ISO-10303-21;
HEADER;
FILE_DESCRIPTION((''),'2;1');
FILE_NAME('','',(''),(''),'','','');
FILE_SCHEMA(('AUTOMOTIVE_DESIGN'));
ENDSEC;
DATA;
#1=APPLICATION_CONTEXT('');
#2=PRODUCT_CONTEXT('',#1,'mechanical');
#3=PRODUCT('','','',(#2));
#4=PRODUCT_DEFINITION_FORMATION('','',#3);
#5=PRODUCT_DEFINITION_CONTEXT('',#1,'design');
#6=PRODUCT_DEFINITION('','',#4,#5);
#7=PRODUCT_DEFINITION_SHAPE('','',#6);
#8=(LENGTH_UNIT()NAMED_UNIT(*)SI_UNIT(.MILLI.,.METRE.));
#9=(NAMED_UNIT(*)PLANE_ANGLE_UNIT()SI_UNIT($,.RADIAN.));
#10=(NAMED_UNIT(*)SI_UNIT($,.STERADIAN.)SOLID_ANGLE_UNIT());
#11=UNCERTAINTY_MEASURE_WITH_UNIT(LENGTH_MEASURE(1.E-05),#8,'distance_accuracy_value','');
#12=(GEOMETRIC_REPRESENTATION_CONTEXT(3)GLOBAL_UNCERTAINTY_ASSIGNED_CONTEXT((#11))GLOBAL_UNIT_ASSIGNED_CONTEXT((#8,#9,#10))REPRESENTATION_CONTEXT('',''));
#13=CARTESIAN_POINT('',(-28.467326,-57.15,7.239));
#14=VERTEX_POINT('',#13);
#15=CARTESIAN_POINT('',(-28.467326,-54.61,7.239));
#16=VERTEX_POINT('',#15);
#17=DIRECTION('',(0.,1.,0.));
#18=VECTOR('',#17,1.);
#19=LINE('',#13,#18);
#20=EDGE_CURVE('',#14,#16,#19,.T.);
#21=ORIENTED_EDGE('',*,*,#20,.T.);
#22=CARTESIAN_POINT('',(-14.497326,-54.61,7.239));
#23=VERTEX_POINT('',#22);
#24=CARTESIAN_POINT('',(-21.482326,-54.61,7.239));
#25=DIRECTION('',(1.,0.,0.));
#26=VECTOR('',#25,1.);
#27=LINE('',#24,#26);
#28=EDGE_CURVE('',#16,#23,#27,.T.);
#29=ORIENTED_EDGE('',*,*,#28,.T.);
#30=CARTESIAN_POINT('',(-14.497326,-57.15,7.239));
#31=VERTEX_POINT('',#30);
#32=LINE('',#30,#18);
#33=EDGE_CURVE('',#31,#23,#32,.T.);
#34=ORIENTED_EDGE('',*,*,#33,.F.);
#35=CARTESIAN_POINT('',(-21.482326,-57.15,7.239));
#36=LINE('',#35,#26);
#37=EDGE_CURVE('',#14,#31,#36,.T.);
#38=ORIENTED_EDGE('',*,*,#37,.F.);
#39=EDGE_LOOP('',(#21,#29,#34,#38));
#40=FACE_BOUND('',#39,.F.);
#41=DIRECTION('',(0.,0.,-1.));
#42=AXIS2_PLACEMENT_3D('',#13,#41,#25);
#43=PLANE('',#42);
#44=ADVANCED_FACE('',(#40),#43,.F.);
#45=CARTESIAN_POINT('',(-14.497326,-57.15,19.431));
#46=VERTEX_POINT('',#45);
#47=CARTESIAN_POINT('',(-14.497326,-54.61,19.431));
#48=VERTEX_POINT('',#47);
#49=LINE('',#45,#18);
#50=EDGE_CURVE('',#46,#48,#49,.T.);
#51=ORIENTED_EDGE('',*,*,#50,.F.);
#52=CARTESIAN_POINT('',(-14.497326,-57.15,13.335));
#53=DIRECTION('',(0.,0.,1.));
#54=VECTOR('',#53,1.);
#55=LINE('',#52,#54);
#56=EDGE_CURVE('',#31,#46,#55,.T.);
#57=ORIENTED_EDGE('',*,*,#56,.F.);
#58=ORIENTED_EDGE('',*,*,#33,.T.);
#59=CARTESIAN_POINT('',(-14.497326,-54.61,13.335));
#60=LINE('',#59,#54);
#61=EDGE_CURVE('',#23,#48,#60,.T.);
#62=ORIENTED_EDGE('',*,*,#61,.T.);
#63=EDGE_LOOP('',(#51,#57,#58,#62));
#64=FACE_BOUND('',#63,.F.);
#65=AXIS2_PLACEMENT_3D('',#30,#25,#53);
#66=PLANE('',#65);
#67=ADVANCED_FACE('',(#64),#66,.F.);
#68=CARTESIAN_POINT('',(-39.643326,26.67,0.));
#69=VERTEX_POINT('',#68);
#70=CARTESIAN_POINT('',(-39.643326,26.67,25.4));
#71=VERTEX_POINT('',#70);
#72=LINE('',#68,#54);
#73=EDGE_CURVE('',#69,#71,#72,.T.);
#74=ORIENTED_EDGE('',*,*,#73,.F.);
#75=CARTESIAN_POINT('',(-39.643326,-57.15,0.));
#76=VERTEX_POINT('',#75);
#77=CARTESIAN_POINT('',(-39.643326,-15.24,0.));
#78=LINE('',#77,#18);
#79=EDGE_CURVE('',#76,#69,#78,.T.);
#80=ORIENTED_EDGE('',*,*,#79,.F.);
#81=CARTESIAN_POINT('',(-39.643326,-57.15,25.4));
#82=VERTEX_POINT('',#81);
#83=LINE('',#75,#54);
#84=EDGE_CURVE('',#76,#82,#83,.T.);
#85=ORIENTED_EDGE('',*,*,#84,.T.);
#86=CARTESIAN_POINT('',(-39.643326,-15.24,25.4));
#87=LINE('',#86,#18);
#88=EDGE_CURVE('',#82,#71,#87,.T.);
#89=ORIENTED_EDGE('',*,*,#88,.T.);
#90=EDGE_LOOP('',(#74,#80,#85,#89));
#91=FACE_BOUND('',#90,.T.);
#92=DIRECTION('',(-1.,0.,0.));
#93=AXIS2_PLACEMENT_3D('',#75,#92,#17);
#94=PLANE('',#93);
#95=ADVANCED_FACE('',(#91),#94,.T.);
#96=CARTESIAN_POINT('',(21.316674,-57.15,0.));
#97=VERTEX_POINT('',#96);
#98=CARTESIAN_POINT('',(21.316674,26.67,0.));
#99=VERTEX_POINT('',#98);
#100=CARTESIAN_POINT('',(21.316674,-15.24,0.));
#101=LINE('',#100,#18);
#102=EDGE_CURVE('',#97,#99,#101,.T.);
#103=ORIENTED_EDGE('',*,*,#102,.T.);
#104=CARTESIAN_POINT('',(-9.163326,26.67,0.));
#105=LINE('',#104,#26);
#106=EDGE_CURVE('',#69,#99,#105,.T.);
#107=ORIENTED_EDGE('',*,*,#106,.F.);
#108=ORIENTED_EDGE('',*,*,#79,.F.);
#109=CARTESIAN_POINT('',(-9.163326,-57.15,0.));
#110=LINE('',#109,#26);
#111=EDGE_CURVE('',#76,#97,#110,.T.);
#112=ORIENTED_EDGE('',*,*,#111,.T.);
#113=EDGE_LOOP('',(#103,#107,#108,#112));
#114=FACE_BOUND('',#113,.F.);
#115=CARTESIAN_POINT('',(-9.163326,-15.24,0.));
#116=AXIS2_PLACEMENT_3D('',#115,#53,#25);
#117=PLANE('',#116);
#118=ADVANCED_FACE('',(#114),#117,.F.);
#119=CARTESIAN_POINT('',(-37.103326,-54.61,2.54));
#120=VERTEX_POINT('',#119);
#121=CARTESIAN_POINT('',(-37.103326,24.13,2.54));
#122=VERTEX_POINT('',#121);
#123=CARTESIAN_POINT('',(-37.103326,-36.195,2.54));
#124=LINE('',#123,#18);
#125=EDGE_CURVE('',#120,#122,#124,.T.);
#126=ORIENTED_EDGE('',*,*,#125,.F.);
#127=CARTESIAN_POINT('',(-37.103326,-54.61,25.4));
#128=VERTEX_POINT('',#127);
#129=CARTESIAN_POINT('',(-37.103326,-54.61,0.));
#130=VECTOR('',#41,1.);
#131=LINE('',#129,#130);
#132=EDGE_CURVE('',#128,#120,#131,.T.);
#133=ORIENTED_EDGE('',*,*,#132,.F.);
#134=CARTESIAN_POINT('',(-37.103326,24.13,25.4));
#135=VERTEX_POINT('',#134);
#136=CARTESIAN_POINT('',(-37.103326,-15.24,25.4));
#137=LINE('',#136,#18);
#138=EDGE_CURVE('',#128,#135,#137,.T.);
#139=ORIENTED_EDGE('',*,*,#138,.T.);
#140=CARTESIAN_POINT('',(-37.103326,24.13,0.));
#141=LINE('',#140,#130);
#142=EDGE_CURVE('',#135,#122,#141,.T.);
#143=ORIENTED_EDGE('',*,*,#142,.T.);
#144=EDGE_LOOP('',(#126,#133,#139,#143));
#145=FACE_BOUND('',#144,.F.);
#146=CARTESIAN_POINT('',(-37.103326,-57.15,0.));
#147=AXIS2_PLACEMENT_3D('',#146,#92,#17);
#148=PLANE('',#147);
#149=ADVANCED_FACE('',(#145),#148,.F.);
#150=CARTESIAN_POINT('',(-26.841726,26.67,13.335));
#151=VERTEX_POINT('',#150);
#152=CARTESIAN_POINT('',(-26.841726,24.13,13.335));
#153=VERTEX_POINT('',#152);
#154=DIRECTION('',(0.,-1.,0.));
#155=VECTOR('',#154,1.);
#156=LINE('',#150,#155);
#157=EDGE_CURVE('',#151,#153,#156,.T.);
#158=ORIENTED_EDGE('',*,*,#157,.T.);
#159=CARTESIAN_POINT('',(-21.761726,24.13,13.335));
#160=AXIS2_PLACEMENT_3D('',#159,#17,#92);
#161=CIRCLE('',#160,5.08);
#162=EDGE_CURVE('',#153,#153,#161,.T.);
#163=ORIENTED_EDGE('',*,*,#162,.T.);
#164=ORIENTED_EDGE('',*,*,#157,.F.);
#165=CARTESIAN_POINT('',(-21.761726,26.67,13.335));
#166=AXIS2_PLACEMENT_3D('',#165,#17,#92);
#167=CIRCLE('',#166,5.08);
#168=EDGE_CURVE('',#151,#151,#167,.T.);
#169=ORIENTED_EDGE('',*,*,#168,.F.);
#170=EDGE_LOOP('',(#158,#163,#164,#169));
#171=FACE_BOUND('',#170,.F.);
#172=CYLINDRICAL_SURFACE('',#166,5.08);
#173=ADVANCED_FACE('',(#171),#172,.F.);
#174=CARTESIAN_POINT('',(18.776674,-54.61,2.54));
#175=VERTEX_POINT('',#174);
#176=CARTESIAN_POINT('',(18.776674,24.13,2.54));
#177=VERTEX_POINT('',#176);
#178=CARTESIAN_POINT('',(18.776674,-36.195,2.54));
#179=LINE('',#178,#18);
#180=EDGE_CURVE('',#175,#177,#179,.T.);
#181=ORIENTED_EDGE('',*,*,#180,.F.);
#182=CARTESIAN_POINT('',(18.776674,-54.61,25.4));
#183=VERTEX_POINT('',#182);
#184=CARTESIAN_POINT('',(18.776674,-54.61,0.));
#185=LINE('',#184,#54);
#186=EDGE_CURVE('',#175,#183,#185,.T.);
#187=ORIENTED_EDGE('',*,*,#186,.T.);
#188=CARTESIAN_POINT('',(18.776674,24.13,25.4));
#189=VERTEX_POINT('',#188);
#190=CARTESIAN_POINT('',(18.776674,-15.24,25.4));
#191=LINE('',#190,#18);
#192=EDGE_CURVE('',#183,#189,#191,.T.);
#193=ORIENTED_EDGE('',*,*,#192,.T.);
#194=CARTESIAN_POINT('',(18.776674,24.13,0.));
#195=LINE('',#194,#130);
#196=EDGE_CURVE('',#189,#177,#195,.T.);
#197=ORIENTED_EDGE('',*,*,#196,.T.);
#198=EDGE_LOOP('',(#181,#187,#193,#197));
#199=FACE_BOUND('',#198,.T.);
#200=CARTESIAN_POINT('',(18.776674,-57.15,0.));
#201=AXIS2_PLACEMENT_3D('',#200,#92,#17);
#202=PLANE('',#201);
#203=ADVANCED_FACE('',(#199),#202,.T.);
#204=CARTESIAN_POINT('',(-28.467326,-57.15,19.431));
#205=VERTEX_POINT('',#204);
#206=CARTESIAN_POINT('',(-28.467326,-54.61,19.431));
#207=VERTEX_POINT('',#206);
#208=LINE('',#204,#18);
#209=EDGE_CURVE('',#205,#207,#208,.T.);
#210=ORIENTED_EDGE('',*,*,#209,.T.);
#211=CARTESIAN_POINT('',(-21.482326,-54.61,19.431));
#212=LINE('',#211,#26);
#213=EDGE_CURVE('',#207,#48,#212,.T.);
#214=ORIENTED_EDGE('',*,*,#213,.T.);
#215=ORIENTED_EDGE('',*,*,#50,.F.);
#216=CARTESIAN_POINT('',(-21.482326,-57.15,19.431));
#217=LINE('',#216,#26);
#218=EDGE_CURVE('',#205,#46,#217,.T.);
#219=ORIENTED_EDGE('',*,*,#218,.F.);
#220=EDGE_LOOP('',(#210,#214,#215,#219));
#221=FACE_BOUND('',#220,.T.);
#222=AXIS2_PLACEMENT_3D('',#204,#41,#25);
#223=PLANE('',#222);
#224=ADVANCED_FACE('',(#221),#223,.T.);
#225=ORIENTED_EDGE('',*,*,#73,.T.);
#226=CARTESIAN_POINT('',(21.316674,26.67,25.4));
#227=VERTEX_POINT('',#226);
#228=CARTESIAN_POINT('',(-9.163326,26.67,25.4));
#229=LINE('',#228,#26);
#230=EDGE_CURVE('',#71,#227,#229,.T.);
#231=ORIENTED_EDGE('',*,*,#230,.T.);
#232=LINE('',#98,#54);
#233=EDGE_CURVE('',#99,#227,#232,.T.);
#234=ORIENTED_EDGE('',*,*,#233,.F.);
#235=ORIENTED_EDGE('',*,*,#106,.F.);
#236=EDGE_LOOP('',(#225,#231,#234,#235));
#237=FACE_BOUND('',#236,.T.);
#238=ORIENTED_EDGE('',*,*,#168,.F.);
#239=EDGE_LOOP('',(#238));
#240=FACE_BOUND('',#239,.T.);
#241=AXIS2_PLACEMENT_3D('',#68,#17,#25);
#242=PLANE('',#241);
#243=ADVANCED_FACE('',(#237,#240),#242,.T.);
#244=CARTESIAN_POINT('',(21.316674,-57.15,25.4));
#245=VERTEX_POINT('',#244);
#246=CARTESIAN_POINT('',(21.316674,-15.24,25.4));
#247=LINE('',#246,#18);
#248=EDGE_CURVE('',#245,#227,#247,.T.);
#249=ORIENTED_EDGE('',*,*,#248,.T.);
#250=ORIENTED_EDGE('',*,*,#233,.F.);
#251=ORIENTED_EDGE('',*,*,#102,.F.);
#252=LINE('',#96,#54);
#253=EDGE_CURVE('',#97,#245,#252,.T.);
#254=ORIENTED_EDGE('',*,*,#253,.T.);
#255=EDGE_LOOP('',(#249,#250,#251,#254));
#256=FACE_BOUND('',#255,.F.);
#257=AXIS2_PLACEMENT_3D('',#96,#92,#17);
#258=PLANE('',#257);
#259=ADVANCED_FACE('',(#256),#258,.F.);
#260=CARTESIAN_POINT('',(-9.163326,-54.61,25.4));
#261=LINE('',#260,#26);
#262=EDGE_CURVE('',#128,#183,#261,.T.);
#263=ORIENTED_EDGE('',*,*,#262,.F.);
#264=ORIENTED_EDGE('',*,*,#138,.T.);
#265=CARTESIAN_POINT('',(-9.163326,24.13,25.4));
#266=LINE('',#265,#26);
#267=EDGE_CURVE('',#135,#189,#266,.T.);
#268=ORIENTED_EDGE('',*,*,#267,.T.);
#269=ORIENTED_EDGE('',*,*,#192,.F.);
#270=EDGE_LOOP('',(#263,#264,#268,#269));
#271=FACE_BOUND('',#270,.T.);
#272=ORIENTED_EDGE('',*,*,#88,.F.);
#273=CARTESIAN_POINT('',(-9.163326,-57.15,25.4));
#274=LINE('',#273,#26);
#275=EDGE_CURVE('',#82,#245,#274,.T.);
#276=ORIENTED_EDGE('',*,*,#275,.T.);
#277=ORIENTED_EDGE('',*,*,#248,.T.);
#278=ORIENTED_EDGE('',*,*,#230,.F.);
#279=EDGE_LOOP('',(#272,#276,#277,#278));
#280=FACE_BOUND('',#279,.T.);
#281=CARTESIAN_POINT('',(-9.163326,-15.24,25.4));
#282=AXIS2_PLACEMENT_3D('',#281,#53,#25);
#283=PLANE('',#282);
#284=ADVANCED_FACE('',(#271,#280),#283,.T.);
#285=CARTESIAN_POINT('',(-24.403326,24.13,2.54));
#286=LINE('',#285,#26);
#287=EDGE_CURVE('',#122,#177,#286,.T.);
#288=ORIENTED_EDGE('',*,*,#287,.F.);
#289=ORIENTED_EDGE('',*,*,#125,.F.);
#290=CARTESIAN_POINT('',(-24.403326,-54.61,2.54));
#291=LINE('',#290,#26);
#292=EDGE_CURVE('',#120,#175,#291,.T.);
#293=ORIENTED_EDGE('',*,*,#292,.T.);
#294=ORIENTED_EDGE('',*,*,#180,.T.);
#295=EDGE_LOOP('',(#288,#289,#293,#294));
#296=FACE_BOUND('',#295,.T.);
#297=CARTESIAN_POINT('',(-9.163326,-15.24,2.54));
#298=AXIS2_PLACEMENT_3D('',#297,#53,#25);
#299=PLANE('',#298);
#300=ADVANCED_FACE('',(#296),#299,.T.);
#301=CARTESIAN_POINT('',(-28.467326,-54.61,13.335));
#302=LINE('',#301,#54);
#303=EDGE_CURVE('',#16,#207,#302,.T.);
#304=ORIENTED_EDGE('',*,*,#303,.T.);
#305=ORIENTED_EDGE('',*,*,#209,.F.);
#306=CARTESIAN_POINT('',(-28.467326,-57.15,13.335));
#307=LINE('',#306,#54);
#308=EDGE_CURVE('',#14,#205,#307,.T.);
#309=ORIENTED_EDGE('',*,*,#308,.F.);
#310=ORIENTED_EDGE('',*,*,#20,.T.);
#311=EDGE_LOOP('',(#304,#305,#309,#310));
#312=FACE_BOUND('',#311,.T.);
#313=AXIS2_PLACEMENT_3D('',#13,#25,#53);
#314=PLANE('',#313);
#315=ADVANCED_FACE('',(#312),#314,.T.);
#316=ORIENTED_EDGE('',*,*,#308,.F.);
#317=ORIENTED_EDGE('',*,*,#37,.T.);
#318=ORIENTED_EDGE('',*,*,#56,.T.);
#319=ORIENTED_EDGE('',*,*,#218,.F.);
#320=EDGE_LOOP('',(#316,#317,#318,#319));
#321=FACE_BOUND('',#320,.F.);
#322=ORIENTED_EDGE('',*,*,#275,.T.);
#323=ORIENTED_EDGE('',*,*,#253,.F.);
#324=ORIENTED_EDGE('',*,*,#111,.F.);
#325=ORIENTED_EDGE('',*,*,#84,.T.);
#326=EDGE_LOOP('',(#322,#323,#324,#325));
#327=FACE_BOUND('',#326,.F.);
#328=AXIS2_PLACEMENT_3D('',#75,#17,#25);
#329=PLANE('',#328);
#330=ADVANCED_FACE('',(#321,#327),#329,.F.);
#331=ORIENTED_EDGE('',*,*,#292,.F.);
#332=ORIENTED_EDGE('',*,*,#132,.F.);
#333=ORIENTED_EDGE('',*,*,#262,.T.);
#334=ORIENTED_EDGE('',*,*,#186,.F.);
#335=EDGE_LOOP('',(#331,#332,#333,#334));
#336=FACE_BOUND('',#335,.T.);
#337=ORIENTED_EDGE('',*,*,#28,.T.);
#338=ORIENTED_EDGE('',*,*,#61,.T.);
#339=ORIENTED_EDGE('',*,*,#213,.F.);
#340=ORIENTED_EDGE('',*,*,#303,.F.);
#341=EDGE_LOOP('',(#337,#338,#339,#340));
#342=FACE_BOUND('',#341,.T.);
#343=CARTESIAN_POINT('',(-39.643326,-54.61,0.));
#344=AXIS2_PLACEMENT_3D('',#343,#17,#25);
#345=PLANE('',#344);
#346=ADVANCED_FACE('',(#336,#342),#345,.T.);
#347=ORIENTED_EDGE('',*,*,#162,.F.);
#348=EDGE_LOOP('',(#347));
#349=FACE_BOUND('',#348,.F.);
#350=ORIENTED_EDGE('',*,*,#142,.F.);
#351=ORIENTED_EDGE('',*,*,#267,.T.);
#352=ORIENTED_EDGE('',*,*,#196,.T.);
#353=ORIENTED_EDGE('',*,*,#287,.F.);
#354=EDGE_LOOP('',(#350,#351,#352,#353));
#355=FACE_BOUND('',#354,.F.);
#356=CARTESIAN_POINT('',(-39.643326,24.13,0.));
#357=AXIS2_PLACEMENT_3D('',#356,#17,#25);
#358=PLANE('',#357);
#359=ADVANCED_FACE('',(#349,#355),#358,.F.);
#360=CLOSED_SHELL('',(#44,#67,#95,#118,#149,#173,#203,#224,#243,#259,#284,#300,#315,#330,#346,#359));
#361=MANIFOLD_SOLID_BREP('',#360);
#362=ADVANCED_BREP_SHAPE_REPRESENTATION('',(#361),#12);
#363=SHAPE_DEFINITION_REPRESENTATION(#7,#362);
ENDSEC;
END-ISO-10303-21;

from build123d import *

# Parameters (mm, degrees)
F0_W     = 60.96
F0_H     = 83.82
F1_DEPTH = 25.4
F2_T     = -2.54
F3_W     = 13.97
F3_H     = 12.192
F4_DEPTH = 2.54
F5_R     = 5.08
F6_DEPTH = 2.54


with BuildPart() as f1:
    # F0 (on Top) → F1 (new body)
    with BuildSketch(Plane.XY):
        with Locations((-9.163326, -15.24)):
            Rectangle(F0_W, F0_H)
    extrude(amount=F1_DEPTH)

    # F2
    f2_openings = [f1.faces().sort_by_distance(p)[0] for p in [
        (-9.163326, -15.24, 25.4),
    ]]
    offset(amount=F2_T, openings=f2_openings)

    # F3 (on face) → F4 (cut, through all)
    with BuildSketch(Plane.XZ.offset(57.15)):
        with Locations((-21.482326, 13.335)):
            Rectangle(F3_W, F3_H)
    extrude(amount=-F4_DEPTH, mode=Mode.SUBTRACT)

    # F5 (on face) → F6 (cut, through all)
    with BuildSketch(Plane(origin=(0, 26.67, 0), x_dir=(-1, 0, 0), z_dir=(0, 1, 0))):
        with Locations((21.761726, 13.335)):
            Circle(F5_R)
    extrude(amount=-F6_DEPTH, mode=Mode.SUBTRACT)


solid = f1.part
